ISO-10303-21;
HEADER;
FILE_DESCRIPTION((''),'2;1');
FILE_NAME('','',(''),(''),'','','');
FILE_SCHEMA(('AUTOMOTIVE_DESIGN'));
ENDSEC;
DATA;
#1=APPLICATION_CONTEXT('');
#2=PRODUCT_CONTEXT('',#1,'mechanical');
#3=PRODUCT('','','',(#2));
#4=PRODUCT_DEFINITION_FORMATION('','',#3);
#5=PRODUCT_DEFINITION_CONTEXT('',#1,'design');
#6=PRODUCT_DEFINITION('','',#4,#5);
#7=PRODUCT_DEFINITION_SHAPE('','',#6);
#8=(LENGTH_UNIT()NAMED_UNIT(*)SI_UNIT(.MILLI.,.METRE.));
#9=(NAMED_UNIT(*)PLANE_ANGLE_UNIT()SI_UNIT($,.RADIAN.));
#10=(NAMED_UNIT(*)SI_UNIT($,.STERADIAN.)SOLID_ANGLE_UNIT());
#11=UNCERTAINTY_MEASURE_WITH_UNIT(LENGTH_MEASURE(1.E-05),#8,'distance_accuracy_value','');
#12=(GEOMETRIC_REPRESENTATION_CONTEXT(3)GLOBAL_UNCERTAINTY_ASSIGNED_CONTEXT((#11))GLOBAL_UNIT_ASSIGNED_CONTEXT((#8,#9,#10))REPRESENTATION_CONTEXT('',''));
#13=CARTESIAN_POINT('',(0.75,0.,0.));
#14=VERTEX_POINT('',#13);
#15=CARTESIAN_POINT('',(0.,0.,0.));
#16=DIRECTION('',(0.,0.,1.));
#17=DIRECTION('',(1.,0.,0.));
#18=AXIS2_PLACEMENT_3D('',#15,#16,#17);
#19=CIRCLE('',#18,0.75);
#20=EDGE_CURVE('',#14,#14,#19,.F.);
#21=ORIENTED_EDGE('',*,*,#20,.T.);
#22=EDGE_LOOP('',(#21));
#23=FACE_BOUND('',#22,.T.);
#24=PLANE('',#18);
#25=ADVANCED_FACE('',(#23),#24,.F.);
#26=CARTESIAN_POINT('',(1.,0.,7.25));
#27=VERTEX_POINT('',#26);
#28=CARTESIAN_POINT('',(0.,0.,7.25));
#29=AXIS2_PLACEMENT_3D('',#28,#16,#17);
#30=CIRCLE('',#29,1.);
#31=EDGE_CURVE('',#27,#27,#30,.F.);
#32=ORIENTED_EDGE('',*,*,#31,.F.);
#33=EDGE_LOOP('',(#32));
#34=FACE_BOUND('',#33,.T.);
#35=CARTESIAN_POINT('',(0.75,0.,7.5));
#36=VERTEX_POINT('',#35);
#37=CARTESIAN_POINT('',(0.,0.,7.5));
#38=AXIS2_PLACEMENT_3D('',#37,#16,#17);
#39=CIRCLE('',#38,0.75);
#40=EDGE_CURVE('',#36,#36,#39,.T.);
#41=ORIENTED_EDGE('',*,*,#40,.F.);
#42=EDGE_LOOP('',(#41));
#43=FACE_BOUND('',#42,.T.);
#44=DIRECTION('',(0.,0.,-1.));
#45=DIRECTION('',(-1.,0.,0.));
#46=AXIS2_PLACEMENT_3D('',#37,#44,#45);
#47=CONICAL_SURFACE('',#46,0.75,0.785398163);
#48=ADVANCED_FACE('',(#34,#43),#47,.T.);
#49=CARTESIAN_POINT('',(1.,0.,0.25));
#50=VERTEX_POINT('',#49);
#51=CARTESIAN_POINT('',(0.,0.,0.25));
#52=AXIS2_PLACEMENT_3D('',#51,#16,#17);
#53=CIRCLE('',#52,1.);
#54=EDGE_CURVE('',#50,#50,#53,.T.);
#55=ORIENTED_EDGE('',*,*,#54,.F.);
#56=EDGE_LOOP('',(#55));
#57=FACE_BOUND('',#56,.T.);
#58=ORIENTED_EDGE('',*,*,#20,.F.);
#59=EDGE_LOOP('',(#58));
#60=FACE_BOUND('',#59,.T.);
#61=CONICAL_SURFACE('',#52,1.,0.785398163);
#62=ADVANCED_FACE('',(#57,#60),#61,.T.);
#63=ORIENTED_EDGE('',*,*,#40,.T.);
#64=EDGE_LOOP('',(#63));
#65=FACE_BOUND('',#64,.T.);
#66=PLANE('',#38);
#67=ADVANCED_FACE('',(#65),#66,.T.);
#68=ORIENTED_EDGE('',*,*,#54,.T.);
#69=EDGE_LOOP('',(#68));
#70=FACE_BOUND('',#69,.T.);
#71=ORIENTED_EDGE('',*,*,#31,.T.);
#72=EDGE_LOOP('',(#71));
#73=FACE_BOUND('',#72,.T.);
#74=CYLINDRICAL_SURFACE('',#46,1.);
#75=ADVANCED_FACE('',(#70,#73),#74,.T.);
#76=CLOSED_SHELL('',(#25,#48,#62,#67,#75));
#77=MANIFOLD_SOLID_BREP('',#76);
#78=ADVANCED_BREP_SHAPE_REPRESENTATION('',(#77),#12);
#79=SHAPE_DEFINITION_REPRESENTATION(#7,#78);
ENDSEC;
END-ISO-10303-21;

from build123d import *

# Parameters (mm, degrees)
SKETCH1_R           = 1
BOSS_EXTRUDE1_DEPTH = 7.5
CHAMFER1_SIZE       = 0.25


with BuildPart() as part:
    # Sketch1 → Boss-Extrude1 (new body)
    with BuildSketch(Plane.XY):
        Circle(SKETCH1_R)
    extrude(amount=BOSS_EXTRUDE1_DEPTH)

    # Chamfer1
    chamfer1_edges = [part.edges().sort_by_distance(p)[0] for p in [
        (-1, 0, 0),
        (-1, 0, 7.5),
    ]]
    chamfer(chamfer1_edges, length=CHAMFER1_SIZE)


solid = part.part
